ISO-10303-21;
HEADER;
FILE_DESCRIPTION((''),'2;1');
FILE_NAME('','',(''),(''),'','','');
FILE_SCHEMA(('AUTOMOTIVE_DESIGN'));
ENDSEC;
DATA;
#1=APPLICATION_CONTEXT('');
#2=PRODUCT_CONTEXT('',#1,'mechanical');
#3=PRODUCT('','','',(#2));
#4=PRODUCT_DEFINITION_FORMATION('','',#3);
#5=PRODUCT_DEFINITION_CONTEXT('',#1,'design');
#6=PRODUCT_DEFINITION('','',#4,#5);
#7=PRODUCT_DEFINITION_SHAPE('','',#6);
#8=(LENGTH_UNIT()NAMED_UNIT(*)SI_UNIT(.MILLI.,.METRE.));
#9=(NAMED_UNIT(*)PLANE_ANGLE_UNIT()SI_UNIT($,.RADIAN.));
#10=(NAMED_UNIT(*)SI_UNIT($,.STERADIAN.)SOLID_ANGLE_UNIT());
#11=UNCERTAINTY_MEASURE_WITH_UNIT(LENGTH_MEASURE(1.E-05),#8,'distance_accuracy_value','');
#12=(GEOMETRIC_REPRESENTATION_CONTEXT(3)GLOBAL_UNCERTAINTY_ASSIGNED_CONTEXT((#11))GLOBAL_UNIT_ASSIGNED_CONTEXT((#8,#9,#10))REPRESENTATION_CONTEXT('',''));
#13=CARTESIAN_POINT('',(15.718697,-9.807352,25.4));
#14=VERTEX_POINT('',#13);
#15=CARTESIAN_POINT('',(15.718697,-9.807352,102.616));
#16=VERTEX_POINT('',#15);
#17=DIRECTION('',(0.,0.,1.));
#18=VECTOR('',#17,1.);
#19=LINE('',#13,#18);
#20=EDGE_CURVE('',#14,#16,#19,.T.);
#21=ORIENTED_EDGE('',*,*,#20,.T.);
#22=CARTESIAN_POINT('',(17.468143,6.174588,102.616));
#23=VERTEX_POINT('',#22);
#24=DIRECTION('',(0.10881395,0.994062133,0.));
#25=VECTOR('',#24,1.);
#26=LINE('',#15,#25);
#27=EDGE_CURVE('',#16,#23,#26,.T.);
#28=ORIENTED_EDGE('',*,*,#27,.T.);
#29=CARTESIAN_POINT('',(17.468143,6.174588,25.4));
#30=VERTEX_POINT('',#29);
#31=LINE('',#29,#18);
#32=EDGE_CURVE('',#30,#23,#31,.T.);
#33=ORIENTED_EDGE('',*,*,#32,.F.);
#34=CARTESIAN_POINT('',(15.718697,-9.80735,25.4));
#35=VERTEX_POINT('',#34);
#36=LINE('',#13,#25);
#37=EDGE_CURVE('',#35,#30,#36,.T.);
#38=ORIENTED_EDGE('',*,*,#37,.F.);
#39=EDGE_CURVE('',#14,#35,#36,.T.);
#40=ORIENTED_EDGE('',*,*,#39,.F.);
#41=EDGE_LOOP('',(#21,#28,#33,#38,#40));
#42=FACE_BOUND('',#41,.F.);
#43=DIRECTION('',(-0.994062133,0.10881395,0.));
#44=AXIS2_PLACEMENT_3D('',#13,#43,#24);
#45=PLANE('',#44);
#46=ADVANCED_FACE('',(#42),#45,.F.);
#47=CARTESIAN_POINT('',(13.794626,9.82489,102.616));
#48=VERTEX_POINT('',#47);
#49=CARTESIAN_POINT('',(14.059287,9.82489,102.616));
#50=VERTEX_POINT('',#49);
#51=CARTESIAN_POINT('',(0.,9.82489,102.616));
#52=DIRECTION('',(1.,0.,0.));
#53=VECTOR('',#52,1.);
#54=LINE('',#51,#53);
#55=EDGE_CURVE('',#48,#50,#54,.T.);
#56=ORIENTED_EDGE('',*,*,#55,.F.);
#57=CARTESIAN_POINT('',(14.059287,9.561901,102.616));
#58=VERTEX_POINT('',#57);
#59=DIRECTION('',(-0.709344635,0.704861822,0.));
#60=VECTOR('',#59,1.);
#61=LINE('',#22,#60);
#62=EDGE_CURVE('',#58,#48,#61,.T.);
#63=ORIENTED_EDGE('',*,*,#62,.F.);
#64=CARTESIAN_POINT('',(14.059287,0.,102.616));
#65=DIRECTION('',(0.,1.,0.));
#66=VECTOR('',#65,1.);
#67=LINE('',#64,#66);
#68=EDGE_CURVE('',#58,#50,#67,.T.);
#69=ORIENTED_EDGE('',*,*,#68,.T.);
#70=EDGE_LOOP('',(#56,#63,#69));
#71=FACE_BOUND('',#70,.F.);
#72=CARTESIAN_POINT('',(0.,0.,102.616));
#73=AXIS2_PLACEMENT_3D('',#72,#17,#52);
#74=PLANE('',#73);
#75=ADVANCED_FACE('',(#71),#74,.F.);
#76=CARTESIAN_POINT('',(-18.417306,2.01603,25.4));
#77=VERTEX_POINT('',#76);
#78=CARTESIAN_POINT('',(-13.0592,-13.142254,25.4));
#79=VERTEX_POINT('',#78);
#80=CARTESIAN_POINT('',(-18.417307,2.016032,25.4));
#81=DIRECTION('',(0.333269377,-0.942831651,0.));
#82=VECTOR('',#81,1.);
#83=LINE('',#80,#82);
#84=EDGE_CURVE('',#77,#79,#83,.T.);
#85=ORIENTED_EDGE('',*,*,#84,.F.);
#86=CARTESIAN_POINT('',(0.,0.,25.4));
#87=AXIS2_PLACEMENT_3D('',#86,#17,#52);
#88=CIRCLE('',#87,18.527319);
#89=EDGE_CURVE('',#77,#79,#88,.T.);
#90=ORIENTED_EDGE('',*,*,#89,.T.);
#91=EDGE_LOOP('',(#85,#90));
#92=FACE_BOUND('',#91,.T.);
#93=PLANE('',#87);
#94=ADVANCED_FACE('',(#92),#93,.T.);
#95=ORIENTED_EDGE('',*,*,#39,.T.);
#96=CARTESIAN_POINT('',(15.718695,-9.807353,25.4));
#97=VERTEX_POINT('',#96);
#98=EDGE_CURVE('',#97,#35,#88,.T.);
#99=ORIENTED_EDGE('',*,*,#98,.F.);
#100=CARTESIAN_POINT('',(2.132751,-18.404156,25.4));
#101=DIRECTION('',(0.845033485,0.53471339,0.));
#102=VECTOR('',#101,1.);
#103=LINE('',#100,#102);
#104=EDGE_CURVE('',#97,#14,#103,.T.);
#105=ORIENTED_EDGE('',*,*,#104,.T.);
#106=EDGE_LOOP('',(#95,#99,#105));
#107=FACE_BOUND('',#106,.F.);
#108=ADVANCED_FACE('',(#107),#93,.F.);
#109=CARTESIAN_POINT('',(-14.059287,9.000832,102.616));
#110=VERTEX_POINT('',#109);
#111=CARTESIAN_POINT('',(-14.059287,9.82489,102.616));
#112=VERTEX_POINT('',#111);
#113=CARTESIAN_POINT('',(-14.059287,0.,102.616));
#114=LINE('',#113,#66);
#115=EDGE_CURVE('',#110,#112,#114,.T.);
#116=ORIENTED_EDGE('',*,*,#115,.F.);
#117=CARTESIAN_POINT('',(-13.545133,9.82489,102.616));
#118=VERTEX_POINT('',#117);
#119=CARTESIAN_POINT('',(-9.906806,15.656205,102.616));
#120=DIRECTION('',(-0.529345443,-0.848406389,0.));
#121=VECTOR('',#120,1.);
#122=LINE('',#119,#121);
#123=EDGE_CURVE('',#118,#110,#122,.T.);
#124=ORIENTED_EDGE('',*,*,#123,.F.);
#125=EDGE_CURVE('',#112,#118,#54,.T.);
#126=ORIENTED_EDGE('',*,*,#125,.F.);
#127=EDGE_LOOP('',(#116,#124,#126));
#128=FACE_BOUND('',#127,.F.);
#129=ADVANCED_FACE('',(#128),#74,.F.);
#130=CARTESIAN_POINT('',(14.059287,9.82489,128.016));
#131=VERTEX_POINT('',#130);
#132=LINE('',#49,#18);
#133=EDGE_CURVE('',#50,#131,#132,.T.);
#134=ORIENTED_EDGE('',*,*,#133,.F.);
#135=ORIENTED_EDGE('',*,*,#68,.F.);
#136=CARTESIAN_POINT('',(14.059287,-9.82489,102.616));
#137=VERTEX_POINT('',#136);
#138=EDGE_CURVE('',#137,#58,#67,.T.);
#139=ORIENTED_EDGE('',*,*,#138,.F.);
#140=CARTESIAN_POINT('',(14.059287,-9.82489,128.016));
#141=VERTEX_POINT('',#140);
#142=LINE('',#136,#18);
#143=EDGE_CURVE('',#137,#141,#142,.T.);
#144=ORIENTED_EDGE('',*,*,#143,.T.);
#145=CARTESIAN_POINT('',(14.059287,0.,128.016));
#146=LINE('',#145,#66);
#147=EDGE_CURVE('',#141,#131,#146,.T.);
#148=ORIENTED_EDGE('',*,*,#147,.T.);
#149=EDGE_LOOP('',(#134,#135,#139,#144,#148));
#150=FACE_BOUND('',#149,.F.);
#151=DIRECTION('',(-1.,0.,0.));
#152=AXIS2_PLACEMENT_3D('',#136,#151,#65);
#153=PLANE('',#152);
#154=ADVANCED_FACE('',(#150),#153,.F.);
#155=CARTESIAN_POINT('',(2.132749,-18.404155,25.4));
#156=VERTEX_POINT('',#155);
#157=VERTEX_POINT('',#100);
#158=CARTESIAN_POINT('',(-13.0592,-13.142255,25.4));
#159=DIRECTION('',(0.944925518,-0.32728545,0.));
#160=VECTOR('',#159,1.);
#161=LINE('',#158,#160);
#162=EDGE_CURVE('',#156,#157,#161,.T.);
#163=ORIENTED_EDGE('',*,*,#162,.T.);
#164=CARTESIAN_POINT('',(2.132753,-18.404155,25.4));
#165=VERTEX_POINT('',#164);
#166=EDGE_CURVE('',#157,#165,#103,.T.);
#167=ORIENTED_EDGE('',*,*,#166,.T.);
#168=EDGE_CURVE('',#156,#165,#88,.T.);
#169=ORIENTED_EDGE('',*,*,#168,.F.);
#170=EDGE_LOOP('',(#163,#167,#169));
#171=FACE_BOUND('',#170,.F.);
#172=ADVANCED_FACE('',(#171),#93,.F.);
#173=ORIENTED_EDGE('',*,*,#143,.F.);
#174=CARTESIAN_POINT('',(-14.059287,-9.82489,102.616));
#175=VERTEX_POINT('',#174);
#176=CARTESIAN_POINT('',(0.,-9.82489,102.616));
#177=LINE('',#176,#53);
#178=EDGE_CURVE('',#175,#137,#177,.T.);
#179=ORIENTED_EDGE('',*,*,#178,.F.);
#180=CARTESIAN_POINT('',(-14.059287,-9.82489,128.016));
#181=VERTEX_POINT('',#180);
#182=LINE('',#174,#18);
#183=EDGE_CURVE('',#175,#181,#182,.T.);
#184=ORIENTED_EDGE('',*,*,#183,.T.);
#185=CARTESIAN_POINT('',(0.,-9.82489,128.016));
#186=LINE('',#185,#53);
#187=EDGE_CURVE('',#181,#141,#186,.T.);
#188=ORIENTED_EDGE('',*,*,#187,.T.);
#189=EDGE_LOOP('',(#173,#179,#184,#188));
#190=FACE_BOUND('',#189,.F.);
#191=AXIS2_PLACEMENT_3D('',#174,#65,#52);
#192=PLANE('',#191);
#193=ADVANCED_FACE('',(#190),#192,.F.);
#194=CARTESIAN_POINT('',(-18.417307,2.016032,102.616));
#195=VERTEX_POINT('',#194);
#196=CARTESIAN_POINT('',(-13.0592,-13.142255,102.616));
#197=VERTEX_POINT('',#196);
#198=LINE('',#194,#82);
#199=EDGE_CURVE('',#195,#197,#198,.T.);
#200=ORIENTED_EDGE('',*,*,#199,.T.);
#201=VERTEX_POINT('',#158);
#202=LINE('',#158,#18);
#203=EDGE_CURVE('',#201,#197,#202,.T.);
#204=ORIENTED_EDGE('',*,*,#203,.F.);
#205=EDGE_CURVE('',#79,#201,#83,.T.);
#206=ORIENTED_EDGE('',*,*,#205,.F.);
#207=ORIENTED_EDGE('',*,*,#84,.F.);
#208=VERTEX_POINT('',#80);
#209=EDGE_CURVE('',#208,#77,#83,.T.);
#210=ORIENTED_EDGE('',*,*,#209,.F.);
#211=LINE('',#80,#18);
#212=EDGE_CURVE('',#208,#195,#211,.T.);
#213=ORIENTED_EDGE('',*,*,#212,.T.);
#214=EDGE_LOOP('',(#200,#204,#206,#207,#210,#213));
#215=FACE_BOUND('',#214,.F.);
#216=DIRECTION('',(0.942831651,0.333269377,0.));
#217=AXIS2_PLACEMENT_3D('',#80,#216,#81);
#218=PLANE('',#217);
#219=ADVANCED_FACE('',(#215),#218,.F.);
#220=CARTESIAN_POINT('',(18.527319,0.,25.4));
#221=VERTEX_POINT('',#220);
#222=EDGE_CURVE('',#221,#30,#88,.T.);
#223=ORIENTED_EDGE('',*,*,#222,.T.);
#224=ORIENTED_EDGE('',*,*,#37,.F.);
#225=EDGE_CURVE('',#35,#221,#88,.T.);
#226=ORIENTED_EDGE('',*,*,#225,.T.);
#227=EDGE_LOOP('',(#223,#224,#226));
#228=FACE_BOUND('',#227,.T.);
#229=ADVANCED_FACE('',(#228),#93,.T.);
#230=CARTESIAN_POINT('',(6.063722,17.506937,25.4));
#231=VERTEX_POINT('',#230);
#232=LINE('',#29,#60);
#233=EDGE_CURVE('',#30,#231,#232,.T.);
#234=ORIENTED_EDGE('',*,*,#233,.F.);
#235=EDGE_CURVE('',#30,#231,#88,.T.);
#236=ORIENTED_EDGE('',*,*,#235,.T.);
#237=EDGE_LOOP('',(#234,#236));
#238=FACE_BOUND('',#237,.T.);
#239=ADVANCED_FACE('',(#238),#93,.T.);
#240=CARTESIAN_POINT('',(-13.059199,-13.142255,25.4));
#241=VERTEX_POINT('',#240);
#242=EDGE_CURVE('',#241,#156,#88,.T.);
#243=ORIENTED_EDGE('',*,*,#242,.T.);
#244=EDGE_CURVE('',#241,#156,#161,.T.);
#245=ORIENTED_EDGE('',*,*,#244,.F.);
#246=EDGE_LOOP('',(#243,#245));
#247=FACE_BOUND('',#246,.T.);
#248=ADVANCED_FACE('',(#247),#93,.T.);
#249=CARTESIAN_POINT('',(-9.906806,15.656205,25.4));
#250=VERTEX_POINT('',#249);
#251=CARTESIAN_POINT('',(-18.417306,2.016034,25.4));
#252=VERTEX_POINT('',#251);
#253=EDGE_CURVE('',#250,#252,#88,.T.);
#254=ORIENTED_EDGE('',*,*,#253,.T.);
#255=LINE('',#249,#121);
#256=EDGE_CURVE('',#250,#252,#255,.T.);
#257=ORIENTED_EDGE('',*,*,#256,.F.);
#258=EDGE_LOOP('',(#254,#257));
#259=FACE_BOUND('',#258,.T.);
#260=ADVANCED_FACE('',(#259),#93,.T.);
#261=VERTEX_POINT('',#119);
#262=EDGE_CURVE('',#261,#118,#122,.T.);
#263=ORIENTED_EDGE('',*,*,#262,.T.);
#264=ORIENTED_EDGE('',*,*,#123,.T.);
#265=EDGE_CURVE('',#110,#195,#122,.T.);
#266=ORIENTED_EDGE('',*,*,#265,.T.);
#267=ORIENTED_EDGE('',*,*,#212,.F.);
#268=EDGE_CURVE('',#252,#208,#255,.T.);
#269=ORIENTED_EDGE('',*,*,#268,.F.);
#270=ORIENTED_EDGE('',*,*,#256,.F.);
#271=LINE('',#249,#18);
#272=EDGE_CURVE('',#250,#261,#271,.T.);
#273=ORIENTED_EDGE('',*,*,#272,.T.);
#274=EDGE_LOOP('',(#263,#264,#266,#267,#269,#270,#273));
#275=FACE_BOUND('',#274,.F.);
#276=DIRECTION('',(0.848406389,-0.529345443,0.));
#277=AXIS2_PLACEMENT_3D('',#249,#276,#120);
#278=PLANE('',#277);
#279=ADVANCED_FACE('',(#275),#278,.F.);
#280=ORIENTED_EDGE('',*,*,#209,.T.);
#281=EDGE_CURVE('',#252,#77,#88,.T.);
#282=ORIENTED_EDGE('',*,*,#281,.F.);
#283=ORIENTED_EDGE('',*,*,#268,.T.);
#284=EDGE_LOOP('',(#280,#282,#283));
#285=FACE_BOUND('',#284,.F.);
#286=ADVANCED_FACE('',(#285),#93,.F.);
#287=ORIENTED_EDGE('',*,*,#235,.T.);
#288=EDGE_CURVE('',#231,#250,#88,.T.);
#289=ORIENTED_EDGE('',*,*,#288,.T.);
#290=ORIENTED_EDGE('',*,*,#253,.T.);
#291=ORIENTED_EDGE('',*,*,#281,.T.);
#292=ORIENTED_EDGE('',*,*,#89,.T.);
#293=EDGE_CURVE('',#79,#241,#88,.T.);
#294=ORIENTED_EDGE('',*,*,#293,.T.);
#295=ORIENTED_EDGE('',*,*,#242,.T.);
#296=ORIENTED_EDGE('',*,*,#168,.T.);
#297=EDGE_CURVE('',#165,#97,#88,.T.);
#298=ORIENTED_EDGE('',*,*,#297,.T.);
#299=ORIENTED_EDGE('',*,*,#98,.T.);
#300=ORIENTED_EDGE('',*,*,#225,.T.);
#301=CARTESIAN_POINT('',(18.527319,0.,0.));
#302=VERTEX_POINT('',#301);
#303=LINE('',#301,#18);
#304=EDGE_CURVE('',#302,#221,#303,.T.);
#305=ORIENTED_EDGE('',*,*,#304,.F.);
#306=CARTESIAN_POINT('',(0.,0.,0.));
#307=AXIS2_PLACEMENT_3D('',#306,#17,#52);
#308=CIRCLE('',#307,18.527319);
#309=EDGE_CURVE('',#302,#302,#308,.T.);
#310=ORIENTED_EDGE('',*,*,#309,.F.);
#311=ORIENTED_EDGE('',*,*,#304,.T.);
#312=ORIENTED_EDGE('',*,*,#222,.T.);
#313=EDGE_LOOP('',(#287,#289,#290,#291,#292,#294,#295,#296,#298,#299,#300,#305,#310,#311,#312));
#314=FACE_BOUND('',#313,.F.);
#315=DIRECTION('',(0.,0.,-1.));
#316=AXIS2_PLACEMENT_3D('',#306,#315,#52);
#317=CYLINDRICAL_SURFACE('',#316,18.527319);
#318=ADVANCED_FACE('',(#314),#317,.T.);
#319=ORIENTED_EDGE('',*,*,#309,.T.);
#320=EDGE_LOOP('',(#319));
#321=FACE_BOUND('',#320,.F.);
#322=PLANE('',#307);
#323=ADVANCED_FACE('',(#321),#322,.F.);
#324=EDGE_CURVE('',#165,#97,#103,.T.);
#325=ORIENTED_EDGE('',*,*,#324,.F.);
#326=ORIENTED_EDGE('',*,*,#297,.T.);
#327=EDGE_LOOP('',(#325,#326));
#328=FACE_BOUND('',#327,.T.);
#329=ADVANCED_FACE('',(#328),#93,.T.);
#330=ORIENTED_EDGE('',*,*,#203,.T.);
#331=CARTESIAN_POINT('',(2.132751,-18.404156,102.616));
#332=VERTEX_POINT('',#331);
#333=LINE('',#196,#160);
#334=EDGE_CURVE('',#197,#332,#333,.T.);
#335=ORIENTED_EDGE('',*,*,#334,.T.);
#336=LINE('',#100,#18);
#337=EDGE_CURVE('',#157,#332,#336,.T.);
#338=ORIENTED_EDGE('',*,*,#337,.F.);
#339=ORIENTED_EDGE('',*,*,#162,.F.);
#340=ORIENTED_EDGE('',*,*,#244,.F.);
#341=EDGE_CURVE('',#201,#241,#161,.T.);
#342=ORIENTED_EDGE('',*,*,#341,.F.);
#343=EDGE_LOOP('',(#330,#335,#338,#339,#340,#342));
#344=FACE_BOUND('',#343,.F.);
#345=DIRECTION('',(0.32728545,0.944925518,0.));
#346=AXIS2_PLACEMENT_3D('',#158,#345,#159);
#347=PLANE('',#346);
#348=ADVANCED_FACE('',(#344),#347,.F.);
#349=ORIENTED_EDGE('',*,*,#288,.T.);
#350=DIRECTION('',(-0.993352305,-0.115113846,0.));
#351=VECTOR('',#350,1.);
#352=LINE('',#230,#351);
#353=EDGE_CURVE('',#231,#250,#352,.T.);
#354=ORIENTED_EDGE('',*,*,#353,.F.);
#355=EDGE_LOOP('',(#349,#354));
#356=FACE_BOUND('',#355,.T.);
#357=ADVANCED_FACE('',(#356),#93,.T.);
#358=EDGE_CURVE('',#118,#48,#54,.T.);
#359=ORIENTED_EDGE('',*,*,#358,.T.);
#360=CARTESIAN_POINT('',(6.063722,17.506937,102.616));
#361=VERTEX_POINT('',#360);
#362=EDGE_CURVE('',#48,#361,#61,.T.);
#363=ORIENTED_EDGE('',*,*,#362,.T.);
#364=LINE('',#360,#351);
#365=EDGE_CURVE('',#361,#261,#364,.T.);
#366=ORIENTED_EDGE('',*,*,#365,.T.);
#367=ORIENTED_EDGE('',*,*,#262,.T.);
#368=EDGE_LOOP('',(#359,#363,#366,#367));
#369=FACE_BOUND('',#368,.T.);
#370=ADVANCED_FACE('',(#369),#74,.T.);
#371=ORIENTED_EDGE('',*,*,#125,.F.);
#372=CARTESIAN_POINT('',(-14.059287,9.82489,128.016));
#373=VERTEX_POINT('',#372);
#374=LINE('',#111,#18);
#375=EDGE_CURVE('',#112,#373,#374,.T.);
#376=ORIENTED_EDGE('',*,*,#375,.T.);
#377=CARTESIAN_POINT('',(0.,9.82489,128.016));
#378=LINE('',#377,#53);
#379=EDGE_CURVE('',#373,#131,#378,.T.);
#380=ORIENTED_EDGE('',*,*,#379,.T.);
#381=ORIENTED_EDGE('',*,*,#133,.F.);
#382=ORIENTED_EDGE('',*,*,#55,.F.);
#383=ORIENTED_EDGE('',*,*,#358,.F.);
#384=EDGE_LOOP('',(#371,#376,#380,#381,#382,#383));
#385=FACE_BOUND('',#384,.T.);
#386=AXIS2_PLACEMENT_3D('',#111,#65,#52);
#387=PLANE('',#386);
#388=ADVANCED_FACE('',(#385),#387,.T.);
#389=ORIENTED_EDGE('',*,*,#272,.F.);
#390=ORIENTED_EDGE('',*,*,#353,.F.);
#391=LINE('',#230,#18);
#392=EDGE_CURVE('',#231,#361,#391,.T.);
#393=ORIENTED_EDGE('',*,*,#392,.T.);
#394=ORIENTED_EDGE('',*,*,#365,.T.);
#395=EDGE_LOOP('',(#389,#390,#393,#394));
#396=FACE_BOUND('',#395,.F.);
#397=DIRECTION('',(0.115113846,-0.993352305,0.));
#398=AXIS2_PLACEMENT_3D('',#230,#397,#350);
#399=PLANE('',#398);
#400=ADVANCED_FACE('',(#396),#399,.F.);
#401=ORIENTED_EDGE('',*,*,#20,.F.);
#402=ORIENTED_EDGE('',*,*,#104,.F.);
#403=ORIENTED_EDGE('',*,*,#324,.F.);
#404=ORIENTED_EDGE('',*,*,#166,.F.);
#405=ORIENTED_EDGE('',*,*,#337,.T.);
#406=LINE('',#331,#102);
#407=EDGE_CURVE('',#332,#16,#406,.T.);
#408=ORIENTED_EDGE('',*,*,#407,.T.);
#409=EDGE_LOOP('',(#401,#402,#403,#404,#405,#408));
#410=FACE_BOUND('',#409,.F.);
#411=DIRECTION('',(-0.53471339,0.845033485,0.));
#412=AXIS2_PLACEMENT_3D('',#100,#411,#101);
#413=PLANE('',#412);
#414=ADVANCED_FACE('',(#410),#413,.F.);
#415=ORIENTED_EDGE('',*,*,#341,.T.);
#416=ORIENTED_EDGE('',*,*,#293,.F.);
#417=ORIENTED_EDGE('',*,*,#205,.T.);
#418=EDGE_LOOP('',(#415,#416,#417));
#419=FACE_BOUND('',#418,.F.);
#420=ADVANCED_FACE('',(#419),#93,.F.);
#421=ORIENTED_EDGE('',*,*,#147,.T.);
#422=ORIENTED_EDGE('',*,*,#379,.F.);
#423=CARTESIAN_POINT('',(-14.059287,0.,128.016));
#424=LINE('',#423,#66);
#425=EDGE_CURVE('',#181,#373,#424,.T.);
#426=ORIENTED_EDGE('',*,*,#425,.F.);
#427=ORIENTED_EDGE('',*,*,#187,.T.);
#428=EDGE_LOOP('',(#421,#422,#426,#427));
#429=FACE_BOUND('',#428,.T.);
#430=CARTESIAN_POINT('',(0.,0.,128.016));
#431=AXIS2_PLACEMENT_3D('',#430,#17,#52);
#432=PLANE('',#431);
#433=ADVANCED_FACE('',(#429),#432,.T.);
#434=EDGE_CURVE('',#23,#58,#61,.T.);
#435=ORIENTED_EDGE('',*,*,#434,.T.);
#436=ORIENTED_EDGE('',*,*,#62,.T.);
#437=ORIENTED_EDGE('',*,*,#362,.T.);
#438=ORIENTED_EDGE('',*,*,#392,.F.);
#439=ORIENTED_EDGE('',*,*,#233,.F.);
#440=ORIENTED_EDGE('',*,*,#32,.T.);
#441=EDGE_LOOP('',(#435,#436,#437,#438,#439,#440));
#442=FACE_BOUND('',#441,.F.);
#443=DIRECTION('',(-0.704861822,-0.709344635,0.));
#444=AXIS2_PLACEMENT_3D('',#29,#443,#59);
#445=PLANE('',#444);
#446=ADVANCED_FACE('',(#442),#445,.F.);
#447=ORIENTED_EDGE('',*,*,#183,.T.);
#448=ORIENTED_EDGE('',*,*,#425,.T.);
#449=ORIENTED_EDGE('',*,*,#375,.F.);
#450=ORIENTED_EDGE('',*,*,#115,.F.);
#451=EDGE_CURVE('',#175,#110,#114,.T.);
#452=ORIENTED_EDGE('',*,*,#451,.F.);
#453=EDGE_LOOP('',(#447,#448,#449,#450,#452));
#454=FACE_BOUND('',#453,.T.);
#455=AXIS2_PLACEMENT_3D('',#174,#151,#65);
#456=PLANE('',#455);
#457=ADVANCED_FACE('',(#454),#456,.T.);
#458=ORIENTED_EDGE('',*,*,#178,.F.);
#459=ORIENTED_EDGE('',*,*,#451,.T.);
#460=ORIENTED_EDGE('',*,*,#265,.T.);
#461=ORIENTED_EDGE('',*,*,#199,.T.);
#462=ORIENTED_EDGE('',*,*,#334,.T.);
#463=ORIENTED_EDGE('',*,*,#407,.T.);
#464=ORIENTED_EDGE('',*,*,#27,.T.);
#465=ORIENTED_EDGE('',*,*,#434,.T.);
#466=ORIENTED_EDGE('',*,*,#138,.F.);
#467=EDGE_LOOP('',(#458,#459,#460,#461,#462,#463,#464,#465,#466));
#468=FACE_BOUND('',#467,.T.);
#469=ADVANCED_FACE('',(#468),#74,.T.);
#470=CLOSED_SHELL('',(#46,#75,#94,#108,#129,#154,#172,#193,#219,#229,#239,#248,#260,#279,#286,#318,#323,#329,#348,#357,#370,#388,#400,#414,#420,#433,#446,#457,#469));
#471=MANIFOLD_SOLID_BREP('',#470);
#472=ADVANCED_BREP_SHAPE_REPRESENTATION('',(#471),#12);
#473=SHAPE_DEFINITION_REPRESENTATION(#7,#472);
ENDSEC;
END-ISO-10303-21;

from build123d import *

# Parameters (mm, degrees)
F0_R     = 18.527319
F1_DEPTH = 25.4
F3_DEPTH = 77.216
F5_W     = 28.118574
F5_H     = 19.64978
F6_DEPTH = 25.4


with BuildPart() as f1:
    # F0 (on Top) → F1 (new body)
    with BuildSketch(Plane.XY):
        Circle(F0_R)
    extrude(amount=F1_DEPTH)

    # F2 (on face) → F3 (join)
    with BuildSketch(Plane.XY.offset(25.4)):
        Polygon((6.063722, 17.506937), (-9.906806, 15.656205), (-18.417307, 2.016032), (-13.0592, -13.142255), (2.132751, -18.404156), (15.718697, -9.807352), (17.468143, 6.174588), align=None)
    extrude(amount=F3_DEPTH)

    # F5 (on face) → F6 (join)
    with BuildSketch(Plane.XY.offset(102.616)):
        Rectangle(F5_W, F5_H)
    extrude(amount=F6_DEPTH)


solid = f1.part
